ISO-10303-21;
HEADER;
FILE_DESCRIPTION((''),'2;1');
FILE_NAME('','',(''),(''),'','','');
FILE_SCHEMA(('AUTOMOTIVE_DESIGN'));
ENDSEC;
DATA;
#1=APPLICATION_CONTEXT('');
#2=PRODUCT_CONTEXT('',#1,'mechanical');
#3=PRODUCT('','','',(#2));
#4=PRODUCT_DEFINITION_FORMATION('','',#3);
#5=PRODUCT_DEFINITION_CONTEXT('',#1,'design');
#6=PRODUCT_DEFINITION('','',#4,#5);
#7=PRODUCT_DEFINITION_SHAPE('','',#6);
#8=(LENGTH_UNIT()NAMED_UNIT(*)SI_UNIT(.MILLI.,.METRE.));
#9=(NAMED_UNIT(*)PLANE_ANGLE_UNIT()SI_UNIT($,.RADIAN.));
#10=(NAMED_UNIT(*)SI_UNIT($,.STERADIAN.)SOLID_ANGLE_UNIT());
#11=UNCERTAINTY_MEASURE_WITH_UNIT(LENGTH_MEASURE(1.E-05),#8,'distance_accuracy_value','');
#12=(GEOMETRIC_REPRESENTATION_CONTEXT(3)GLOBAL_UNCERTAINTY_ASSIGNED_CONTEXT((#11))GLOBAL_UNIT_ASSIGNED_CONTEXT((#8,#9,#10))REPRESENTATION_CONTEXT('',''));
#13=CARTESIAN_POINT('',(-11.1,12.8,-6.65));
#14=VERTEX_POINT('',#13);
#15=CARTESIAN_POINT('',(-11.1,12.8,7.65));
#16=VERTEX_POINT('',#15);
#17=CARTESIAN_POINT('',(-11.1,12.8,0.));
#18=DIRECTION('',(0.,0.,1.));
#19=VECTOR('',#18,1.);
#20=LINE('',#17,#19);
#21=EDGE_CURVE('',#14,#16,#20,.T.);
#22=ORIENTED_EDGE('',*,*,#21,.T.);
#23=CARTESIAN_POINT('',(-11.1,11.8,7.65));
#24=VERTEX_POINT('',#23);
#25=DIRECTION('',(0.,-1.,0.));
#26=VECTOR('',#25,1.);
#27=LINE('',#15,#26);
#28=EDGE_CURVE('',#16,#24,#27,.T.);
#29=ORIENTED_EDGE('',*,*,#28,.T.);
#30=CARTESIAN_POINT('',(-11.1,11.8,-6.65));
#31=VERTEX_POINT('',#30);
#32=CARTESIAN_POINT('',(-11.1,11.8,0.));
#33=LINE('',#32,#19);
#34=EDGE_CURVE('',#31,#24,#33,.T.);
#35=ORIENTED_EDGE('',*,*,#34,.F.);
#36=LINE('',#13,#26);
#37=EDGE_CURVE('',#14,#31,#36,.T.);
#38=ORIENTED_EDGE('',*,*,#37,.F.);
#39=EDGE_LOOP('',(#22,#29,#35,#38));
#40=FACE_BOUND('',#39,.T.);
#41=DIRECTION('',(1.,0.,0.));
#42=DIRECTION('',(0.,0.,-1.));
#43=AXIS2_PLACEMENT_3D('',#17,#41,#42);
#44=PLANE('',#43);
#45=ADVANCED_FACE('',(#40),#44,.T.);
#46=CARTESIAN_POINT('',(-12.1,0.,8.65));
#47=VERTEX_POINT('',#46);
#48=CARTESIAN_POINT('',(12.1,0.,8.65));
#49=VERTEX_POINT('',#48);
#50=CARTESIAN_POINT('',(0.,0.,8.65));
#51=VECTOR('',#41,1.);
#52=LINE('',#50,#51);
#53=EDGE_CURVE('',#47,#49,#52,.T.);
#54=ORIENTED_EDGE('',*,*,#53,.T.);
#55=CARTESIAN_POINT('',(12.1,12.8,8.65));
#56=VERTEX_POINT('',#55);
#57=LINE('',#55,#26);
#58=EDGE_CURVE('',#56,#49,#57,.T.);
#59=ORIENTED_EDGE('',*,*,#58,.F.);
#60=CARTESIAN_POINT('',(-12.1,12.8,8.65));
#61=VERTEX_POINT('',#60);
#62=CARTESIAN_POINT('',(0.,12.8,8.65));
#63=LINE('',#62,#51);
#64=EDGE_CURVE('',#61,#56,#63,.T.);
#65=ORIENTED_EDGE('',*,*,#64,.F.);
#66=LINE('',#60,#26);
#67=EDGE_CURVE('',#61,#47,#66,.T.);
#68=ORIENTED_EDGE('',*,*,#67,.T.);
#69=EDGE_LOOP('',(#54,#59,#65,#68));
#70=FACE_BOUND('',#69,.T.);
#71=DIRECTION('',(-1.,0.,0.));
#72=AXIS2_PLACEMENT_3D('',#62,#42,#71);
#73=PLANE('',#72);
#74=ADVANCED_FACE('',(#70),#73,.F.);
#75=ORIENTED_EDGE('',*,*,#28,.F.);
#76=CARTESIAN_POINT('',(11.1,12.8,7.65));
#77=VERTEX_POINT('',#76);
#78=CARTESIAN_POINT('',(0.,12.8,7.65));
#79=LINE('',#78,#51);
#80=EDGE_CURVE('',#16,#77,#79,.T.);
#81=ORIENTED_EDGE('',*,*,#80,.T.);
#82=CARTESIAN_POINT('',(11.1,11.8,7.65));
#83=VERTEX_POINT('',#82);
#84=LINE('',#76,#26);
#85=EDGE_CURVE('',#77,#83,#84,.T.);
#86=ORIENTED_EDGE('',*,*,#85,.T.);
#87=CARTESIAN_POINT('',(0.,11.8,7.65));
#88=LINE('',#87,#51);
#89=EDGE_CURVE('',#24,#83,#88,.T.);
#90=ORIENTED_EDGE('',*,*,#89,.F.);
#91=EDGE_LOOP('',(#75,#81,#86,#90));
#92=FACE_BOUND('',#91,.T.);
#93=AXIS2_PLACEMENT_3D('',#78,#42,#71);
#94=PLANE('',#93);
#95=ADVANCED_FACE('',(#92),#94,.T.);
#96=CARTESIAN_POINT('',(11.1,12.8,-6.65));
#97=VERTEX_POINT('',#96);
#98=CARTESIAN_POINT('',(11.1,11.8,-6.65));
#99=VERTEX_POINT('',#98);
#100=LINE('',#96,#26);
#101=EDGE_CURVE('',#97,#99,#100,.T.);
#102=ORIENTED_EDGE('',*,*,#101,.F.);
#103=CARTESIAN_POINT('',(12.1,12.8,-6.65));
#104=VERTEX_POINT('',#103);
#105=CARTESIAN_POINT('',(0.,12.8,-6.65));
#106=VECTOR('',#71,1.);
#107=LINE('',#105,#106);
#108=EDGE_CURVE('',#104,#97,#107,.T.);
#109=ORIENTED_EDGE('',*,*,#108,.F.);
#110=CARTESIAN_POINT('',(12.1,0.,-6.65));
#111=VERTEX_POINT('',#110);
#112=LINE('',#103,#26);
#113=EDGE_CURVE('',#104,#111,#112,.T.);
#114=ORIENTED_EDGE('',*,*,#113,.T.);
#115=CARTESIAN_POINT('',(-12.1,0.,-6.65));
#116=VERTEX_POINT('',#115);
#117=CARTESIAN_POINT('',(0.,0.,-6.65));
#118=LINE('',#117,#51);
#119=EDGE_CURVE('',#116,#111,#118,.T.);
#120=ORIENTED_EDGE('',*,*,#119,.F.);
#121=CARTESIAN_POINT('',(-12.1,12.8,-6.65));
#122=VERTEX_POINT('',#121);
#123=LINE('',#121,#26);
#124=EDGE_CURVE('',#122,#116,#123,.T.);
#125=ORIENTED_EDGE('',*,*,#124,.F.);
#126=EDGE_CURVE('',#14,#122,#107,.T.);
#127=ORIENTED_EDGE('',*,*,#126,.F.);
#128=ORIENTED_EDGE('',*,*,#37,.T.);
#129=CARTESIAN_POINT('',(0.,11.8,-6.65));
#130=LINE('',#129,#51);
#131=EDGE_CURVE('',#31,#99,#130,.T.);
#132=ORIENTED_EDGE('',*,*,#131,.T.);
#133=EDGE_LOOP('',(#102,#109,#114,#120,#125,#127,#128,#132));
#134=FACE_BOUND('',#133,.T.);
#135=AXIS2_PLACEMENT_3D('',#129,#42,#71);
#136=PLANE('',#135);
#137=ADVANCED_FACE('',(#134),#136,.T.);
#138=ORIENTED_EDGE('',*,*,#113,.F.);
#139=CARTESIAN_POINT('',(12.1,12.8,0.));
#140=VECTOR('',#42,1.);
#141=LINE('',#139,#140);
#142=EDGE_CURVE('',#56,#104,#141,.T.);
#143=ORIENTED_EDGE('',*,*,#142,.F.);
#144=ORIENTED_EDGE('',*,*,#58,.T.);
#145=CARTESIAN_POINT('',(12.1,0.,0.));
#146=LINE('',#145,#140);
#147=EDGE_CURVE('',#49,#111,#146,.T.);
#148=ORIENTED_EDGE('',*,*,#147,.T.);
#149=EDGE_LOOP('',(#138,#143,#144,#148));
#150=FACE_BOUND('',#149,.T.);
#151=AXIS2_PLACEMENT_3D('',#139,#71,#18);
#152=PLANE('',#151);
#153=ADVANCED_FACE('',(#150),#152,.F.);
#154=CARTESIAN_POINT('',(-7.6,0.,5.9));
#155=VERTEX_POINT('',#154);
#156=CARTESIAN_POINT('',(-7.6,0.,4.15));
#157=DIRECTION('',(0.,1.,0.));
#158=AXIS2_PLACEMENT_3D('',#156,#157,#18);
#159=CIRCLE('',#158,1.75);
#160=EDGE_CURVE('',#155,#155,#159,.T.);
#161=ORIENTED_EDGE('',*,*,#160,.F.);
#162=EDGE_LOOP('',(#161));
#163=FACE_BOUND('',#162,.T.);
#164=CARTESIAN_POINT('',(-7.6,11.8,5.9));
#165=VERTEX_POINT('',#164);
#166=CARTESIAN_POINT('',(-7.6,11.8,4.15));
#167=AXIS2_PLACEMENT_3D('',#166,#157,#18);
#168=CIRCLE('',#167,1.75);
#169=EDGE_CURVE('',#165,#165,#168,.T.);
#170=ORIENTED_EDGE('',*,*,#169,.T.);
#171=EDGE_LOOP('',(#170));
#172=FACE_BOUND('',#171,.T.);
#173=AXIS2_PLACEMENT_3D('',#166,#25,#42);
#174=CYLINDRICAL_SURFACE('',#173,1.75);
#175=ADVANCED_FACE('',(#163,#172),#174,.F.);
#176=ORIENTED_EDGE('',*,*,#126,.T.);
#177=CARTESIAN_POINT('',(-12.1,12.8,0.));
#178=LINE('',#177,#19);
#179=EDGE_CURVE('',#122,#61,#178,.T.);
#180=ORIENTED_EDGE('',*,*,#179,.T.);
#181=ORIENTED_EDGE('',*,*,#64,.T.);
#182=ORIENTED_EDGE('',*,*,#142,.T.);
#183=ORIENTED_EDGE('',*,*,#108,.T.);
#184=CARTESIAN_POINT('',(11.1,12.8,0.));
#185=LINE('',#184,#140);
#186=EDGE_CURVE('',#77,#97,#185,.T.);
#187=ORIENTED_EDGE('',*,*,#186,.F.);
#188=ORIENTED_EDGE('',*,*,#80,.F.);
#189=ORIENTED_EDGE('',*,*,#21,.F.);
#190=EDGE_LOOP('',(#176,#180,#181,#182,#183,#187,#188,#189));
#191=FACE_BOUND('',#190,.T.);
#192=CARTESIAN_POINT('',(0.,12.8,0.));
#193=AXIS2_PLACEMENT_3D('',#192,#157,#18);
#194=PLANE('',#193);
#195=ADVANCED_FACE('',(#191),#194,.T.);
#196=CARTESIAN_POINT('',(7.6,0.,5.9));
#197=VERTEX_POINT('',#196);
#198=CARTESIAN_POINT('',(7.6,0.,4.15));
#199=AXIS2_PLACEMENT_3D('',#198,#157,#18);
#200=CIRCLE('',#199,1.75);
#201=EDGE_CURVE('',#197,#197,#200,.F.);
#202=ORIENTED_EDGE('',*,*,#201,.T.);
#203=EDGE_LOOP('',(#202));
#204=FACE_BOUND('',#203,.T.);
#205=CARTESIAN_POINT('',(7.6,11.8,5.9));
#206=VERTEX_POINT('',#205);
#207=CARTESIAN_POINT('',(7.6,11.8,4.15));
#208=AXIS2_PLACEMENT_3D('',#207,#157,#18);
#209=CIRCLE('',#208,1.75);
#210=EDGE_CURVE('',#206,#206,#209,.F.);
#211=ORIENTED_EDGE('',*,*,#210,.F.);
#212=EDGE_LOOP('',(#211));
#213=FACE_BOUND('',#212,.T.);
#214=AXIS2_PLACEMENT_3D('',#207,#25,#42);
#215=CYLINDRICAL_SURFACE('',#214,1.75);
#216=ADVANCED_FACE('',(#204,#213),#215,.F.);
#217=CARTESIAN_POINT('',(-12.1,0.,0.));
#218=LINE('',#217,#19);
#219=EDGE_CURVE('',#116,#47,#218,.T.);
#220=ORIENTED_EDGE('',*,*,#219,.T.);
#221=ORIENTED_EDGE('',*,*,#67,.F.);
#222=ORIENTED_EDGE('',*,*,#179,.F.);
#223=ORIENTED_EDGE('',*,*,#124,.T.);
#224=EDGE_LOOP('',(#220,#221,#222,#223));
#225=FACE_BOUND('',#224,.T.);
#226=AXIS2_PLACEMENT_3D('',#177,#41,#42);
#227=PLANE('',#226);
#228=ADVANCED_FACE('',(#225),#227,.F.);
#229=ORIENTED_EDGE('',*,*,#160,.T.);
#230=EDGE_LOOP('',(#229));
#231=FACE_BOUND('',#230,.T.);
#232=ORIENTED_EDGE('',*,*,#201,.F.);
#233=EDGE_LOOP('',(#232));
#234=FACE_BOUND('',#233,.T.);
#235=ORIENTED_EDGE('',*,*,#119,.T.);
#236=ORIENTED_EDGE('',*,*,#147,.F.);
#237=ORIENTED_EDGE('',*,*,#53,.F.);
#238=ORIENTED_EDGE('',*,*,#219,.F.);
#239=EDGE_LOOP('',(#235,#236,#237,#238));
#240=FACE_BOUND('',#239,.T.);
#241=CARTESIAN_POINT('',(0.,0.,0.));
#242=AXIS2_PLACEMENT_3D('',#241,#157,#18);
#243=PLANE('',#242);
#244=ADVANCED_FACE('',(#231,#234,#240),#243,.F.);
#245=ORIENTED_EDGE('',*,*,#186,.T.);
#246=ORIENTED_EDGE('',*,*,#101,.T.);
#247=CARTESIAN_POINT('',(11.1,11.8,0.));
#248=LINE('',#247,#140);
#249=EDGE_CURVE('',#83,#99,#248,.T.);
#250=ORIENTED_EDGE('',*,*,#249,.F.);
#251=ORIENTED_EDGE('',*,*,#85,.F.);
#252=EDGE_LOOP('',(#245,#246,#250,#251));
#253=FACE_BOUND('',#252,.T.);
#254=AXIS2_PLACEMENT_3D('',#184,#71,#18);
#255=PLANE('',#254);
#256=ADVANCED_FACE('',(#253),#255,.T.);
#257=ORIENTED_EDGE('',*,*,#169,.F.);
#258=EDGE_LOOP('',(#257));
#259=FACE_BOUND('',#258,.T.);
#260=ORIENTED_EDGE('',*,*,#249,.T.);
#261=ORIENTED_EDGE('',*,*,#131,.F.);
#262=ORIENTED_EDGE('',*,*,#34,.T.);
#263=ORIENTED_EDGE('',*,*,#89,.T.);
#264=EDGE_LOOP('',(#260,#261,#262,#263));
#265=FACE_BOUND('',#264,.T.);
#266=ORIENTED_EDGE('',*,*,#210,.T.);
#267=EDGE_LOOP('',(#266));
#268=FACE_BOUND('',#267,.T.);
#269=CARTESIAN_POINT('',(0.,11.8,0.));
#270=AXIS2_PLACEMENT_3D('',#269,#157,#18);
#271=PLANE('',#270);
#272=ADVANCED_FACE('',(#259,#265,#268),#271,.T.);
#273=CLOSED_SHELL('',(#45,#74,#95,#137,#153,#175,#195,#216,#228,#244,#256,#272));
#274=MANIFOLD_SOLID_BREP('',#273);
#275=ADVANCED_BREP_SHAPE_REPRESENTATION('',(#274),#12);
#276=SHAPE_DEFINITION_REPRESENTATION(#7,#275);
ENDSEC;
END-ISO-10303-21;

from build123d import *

# Parameters (mm, degrees)
SKETCH1_W           = 22.2
SKETCH1_H           = 14.3
SKETCH1_R           = 1.75
BOSS_EXTRUDE1_DEPTH = 11.8
BOSS_EXTRUDE2_DEPTH = 12.8


with BuildPart() as part:
    # Sketch1 → Boss-Extrude1 (new body)
    with BuildSketch(Plane(origin=(0, 0, 0), x_dir=(1, 0, 0), z_dir=(0, 1, 0))):
        with Locations((0, -0.5)):
            Rectangle(SKETCH1_W, SKETCH1_H)
        with Locations((7.6, -4.15)):
            Circle(SKETCH1_R, mode=Mode.SUBTRACT)
        with Locations((-7.6, -4.15)):
            Circle(SKETCH1_R, mode=Mode.SUBTRACT)
    extrude(amount=BOSS_EXTRUDE1_DEPTH)

    # Sketch1<3> → Boss-Extrude2 (add)
    with BuildSketch(Plane(origin=(0, 0, 0), x_dir=(1, 0, 0), z_dir=(0, 1, 0))):
        Polygon((-11.1, -7.65), (-11.1, 6.65), (-12.1, 6.65), (-12.1, -8.65), (12.1, -8.65), (12.1, 6.65), (11.1, 6.65), (11.1, -7.65), align=None)
    extrude(amount=BOSS_EXTRUDE2_DEPTH)


solid = part.part
